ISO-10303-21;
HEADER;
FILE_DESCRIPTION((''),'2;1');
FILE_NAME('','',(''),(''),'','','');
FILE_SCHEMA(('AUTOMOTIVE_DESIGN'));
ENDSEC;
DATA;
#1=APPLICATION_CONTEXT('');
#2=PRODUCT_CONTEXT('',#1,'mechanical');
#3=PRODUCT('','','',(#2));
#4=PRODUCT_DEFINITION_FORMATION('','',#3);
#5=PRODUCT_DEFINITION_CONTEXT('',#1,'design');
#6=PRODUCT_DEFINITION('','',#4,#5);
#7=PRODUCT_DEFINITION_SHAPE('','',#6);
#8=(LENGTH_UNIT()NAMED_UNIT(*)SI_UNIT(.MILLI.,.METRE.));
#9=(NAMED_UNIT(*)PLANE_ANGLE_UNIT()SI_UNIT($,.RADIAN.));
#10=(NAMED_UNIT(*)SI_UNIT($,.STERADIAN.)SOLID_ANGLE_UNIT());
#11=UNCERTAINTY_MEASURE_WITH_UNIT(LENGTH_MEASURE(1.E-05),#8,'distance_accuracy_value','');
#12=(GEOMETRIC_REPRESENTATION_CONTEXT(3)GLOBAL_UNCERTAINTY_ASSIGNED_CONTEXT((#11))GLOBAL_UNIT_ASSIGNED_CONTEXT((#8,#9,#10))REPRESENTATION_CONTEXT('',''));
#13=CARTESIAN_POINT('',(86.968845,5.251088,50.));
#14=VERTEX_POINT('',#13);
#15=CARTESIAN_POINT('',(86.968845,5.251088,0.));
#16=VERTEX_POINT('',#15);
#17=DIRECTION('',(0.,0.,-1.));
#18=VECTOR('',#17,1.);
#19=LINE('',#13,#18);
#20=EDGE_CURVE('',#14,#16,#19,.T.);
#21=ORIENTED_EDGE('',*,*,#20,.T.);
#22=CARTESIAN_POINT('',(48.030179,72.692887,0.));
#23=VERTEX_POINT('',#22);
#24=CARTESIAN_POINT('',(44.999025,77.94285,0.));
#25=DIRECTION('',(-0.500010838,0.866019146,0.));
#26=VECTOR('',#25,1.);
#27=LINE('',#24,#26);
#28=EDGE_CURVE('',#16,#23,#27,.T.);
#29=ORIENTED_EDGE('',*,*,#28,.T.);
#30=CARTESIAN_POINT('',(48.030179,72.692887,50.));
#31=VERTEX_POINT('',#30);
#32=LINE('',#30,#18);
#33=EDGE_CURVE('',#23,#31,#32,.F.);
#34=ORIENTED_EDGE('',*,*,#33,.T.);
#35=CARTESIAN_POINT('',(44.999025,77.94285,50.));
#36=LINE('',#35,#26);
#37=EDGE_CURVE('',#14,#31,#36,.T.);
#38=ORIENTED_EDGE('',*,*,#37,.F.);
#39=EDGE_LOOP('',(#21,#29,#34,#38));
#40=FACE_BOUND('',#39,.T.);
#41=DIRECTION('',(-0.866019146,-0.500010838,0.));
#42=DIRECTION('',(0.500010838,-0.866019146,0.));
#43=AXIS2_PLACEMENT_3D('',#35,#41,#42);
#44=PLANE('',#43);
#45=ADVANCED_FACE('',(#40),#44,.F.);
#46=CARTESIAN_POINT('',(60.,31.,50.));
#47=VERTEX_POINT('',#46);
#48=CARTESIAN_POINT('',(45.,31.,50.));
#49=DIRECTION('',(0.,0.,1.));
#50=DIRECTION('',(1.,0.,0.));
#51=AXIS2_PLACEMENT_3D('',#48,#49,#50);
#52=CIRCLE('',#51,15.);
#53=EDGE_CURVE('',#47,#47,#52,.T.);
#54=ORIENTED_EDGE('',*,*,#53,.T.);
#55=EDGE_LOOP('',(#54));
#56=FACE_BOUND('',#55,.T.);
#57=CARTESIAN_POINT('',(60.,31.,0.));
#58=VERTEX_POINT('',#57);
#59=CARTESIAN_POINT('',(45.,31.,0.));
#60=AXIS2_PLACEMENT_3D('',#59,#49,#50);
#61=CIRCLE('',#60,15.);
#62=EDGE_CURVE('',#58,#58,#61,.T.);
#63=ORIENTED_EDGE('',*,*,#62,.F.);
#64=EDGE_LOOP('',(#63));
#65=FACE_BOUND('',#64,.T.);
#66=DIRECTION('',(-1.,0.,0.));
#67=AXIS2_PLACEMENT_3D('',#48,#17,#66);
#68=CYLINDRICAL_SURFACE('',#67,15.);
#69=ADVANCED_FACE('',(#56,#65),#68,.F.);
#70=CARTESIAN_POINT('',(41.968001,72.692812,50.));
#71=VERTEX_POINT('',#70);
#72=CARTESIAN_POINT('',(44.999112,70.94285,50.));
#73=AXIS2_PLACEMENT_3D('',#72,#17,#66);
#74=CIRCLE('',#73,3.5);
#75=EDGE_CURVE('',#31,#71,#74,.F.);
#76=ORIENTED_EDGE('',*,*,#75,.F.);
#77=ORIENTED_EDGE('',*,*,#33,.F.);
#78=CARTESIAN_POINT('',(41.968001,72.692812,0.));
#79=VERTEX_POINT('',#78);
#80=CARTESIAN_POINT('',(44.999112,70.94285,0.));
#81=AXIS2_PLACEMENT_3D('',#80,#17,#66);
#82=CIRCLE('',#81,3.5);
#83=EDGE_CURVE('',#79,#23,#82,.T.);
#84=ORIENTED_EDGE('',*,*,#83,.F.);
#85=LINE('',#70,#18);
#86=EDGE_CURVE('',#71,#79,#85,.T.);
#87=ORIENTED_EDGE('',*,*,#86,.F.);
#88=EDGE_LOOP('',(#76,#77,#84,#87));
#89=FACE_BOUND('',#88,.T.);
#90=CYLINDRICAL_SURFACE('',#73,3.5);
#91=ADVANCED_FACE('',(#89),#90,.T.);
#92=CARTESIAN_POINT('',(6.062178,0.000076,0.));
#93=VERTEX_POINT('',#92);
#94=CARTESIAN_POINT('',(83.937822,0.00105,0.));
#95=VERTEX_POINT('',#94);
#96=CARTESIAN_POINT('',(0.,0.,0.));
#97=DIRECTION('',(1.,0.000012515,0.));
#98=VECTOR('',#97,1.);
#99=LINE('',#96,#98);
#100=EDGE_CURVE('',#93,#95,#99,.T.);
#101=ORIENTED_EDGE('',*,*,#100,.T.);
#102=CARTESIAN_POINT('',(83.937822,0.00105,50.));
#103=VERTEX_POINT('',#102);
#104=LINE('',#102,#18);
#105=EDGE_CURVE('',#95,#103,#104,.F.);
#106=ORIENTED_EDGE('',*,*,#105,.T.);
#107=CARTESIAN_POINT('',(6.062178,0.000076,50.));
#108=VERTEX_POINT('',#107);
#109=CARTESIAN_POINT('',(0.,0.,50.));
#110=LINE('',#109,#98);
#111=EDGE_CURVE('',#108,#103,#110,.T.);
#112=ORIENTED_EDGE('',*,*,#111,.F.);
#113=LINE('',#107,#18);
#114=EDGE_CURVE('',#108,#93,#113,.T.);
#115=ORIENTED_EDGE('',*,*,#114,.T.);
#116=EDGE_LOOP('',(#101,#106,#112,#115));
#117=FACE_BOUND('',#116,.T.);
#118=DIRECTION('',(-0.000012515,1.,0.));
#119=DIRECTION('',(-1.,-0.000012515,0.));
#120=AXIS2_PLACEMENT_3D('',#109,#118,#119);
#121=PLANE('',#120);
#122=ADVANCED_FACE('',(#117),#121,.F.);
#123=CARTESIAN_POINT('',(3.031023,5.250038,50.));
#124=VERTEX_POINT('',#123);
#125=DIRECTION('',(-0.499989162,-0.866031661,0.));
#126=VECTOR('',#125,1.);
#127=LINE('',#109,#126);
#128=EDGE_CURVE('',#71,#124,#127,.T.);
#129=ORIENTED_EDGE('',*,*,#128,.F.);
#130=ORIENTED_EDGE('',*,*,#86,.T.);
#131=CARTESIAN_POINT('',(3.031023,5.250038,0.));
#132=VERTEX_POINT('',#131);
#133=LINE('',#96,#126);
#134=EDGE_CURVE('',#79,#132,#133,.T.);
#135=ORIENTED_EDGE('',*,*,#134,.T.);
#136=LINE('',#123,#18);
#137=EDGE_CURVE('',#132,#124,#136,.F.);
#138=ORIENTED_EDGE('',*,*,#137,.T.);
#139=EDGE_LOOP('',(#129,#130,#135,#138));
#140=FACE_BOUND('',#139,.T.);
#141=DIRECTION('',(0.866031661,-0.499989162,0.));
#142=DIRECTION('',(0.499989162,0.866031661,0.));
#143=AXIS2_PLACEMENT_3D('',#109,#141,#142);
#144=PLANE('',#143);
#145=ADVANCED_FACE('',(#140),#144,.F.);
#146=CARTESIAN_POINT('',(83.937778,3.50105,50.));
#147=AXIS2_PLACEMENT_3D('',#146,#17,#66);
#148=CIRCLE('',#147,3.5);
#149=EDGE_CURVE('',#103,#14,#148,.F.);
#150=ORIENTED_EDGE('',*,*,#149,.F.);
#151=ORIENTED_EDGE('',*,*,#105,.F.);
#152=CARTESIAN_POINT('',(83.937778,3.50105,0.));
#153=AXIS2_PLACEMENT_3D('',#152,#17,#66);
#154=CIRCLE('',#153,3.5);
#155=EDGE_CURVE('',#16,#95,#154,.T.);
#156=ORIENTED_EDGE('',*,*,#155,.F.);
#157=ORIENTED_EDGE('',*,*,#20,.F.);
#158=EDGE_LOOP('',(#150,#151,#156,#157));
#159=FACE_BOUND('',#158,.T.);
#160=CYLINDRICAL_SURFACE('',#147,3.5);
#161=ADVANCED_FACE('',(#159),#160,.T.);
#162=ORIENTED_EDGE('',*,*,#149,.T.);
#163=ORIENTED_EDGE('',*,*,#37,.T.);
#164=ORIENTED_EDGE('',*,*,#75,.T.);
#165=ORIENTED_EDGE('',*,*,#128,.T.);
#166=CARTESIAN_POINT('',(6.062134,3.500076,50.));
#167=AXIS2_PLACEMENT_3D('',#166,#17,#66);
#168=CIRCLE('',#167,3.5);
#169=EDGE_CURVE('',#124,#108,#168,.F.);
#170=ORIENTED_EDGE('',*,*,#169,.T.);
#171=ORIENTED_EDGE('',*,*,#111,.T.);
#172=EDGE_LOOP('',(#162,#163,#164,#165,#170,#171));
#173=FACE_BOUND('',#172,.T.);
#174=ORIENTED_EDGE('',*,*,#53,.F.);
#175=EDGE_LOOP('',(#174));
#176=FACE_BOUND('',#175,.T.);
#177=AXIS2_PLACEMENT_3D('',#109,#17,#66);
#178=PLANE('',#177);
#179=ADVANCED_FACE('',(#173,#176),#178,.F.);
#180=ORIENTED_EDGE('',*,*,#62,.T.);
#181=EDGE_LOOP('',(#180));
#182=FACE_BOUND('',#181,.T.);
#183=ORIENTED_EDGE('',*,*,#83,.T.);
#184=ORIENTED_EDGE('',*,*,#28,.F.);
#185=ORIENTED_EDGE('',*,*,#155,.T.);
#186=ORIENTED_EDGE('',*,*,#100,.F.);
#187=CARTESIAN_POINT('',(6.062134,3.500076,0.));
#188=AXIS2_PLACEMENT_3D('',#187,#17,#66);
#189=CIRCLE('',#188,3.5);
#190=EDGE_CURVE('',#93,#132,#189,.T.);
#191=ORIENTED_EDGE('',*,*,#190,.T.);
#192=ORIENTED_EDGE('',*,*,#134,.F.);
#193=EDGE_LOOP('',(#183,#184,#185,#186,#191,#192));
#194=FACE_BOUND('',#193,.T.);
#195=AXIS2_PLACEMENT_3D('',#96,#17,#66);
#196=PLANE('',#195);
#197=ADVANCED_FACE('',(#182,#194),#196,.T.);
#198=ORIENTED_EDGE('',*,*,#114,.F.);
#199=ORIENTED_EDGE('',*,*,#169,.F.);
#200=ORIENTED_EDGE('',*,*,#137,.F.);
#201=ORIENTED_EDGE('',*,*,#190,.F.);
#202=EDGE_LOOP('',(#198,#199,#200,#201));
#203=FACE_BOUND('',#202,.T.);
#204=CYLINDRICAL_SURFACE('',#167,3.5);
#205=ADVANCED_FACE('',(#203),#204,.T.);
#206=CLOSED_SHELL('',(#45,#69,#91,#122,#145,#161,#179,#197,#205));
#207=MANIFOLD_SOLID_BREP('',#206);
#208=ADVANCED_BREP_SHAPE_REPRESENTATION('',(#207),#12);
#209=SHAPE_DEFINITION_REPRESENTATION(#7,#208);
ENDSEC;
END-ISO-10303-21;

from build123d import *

# Parameters (mm, degrees)
SKETCH1_R           = 15
BOSS_EXTRUDE2_DEPTH = 50
FILLET1_R           = 3.5
FILLET2_R           = 3.5
FILLET3_R           = 3.5


with BuildPart() as part:
    # Sketch1 → Boss-Extrude2 (new body)
    with BuildSketch(Plane.XY):
        Polygon((0, 0), (89.999999993, 0.001126334), (44.999024562, 77.942849502), align=None)
        with Locations((45, 31)):
            Circle(SKETCH1_R, mode=Mode.SUBTRACT)
    extrude(amount=BOSS_EXTRUDE2_DEPTH)

    # Fillet1
    fillet1_edges = [part.edges().sort_by_distance(p)[0] for p in [
        (44.999024562, 77.942849502, 25),
    ]]
    fillet(fillet1_edges, radius=FILLET1_R)

    # Fillet2
    fillet2_edges = [part.edges().sort_by_distance(p)[0] for p in [
        (89.999999993, 0.001126334, 25),
    ]]
    fillet(fillet2_edges, radius=FILLET2_R)

    # Fillet3
    fillet3_edges = [part.edges().sort_by_distance(p)[0] for p in [
        (0, 0, 25),
    ]]
    fillet(fillet3_edges, radius=FILLET3_R)


solid = part.part
